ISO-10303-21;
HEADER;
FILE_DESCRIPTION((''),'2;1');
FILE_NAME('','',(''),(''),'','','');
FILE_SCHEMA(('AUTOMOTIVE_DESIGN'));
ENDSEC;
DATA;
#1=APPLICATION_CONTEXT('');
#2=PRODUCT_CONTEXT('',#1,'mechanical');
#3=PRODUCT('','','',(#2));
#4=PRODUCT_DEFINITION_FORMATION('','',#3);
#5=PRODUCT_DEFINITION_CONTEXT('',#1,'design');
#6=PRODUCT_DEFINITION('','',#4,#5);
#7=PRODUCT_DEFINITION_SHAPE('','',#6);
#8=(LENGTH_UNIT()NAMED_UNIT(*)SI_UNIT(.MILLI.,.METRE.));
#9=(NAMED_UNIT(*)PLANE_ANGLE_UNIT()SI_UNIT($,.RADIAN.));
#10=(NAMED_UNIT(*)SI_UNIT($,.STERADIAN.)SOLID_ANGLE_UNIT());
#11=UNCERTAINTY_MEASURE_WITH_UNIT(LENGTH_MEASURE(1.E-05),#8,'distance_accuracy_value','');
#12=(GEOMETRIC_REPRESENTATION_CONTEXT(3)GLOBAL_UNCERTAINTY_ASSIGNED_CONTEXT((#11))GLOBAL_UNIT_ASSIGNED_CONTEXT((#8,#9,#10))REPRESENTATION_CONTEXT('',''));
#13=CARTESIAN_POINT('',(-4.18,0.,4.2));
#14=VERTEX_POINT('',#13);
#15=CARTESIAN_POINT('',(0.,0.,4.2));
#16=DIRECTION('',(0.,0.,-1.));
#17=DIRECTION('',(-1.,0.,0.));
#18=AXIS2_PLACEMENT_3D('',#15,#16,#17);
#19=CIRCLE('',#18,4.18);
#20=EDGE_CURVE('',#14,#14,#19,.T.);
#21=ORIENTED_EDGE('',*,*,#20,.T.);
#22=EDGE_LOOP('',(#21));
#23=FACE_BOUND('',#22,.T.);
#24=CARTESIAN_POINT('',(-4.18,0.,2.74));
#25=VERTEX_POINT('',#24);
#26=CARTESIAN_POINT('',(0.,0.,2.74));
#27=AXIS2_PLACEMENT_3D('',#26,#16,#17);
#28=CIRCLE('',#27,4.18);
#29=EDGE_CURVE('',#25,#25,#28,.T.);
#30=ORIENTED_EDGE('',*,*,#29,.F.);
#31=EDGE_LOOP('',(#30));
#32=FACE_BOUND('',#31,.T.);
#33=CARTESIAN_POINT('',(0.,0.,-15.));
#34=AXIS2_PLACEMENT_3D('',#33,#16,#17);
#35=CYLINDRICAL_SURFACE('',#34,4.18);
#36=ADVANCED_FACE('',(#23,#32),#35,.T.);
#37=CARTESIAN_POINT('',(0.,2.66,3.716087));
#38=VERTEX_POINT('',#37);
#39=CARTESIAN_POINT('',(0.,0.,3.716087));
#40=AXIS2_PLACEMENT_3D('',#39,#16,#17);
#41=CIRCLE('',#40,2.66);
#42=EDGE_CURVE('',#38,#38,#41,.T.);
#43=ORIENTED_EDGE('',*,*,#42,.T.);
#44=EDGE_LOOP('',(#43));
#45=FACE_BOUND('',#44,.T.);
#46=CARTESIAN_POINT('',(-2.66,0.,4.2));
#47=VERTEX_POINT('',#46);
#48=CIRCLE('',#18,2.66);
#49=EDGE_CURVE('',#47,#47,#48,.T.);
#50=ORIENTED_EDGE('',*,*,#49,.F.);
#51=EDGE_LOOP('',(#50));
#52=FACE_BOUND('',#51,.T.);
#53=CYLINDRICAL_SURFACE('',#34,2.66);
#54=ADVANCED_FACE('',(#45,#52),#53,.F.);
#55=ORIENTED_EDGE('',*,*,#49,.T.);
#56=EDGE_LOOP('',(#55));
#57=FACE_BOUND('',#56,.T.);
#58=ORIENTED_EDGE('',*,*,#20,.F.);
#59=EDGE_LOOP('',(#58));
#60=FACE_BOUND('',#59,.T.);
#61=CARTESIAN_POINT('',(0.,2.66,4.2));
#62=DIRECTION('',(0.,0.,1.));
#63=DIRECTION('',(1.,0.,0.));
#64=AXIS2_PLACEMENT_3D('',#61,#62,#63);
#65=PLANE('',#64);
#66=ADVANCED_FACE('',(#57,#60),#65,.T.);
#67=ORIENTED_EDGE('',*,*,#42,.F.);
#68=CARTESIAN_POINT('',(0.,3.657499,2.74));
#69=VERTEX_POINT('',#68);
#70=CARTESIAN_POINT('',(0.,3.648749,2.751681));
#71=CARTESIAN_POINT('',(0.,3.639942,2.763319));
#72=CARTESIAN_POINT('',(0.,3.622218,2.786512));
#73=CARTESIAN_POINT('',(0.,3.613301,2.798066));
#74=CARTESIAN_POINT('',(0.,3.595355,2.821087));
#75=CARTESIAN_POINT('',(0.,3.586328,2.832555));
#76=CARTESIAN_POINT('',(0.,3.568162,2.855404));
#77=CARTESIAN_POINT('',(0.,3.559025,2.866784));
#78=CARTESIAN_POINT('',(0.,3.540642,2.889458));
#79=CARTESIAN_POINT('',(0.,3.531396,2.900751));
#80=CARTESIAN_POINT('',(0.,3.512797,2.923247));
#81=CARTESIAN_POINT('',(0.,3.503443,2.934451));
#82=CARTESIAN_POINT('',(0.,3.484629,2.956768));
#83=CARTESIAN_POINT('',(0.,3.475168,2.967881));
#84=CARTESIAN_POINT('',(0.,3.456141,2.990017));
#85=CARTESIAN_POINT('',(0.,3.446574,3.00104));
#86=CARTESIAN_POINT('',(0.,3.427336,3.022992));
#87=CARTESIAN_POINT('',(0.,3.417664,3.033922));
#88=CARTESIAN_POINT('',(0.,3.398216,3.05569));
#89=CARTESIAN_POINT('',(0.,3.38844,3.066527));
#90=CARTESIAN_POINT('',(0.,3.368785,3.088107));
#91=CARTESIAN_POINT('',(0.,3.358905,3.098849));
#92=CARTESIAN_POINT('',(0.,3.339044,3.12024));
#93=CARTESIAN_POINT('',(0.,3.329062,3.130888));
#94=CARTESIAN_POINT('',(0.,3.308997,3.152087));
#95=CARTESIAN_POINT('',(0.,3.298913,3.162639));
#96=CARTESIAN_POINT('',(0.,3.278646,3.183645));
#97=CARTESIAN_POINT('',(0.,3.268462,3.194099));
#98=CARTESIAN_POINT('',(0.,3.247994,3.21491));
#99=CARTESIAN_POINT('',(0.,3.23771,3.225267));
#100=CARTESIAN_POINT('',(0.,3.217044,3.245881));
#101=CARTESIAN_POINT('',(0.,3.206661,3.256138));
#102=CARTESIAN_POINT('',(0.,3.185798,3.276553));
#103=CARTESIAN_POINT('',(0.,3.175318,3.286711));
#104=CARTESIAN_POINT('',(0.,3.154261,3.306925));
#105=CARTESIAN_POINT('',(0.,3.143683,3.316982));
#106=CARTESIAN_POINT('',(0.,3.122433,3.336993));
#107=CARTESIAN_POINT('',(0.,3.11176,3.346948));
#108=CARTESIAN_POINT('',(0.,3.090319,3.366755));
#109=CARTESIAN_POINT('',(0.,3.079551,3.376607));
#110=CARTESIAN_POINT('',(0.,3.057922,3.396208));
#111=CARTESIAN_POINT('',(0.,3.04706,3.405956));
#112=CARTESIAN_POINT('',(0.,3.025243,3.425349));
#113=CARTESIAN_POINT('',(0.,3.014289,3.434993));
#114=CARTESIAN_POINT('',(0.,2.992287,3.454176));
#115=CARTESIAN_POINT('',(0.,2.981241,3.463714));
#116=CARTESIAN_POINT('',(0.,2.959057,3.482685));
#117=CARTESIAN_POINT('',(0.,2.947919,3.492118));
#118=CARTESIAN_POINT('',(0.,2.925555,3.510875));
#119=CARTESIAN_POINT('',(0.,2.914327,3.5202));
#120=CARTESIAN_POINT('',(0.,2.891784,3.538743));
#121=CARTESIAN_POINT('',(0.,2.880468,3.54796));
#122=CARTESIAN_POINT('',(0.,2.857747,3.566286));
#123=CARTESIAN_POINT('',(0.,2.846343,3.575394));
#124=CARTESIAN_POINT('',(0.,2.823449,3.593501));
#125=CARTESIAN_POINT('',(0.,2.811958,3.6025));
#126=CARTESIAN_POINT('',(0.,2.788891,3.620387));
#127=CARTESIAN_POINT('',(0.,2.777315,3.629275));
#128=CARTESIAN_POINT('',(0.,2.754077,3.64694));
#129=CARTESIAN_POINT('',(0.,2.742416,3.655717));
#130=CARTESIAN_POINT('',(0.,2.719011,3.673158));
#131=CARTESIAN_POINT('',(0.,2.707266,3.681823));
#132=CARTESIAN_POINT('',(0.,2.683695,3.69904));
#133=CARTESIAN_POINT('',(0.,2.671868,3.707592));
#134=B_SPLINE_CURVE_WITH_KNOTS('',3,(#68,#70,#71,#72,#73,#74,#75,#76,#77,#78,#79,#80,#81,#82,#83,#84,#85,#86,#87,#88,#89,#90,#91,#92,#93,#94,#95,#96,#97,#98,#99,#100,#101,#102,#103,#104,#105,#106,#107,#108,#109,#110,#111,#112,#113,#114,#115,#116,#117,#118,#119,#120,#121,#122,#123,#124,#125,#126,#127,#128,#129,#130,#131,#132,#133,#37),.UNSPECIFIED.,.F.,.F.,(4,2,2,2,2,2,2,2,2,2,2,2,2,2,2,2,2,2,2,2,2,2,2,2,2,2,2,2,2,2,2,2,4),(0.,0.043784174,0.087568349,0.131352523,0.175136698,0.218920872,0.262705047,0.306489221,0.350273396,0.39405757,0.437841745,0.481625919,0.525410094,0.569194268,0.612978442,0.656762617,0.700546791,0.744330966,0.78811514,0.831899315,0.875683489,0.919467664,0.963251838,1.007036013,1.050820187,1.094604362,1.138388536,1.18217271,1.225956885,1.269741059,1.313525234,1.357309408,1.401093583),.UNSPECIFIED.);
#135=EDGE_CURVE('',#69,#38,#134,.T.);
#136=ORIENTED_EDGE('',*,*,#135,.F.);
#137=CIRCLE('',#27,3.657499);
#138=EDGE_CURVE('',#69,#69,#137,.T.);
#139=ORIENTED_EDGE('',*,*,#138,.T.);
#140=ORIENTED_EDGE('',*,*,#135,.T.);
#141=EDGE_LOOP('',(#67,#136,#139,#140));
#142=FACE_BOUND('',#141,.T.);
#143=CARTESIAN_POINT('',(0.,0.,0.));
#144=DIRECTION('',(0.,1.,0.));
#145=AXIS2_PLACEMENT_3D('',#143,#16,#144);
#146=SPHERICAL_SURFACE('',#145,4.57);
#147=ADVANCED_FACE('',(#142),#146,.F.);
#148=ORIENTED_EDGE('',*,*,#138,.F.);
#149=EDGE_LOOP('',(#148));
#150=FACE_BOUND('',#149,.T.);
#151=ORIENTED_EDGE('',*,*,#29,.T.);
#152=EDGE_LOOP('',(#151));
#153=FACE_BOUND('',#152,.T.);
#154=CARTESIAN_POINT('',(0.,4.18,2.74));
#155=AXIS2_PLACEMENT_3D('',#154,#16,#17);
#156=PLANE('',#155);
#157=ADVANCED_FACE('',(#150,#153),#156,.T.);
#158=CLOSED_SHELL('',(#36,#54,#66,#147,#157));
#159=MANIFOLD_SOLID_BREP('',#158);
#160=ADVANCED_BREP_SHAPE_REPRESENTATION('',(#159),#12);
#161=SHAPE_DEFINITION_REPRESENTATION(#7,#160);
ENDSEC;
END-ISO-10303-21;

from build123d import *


with BuildPart() as part:
    # S01 - Printable flat rim and spherical seat → 01 - Printable flat rim and spherical seat (revolve)
    with BuildSketch(Plane(origin=(0, 0, 0), x_dir=(0, 0, -1), z_dir=(1, 0, 0)), mode=Mode.PRIVATE) as f_01_printable_flat_rim_and_spherical_se_sk:
        with BuildLine():
            Line((-4.2, 2.66), (-4.2, 4.18))
            Line((-4.2, 4.18), (-2.74, 4.18))
            Line((-2.74, 4.18), (-2.74, 3.657499146))
            ThreePointArc((-2.74, 3.657499146), (-3.266345794, 3.196229834), (-3.716086651, 2.66))
            Line((-3.716086651, 2.66), (-4.2, 2.66))
        make_face()
    revolve(f_01_printable_flat_rim_and_spherical_se_sk.sketch.rotate(Axis((0, 0, -15), (0, 0, 1)), 90), axis=Axis((0, 0, -15), (0, 0, 1)))


solid = part.part
